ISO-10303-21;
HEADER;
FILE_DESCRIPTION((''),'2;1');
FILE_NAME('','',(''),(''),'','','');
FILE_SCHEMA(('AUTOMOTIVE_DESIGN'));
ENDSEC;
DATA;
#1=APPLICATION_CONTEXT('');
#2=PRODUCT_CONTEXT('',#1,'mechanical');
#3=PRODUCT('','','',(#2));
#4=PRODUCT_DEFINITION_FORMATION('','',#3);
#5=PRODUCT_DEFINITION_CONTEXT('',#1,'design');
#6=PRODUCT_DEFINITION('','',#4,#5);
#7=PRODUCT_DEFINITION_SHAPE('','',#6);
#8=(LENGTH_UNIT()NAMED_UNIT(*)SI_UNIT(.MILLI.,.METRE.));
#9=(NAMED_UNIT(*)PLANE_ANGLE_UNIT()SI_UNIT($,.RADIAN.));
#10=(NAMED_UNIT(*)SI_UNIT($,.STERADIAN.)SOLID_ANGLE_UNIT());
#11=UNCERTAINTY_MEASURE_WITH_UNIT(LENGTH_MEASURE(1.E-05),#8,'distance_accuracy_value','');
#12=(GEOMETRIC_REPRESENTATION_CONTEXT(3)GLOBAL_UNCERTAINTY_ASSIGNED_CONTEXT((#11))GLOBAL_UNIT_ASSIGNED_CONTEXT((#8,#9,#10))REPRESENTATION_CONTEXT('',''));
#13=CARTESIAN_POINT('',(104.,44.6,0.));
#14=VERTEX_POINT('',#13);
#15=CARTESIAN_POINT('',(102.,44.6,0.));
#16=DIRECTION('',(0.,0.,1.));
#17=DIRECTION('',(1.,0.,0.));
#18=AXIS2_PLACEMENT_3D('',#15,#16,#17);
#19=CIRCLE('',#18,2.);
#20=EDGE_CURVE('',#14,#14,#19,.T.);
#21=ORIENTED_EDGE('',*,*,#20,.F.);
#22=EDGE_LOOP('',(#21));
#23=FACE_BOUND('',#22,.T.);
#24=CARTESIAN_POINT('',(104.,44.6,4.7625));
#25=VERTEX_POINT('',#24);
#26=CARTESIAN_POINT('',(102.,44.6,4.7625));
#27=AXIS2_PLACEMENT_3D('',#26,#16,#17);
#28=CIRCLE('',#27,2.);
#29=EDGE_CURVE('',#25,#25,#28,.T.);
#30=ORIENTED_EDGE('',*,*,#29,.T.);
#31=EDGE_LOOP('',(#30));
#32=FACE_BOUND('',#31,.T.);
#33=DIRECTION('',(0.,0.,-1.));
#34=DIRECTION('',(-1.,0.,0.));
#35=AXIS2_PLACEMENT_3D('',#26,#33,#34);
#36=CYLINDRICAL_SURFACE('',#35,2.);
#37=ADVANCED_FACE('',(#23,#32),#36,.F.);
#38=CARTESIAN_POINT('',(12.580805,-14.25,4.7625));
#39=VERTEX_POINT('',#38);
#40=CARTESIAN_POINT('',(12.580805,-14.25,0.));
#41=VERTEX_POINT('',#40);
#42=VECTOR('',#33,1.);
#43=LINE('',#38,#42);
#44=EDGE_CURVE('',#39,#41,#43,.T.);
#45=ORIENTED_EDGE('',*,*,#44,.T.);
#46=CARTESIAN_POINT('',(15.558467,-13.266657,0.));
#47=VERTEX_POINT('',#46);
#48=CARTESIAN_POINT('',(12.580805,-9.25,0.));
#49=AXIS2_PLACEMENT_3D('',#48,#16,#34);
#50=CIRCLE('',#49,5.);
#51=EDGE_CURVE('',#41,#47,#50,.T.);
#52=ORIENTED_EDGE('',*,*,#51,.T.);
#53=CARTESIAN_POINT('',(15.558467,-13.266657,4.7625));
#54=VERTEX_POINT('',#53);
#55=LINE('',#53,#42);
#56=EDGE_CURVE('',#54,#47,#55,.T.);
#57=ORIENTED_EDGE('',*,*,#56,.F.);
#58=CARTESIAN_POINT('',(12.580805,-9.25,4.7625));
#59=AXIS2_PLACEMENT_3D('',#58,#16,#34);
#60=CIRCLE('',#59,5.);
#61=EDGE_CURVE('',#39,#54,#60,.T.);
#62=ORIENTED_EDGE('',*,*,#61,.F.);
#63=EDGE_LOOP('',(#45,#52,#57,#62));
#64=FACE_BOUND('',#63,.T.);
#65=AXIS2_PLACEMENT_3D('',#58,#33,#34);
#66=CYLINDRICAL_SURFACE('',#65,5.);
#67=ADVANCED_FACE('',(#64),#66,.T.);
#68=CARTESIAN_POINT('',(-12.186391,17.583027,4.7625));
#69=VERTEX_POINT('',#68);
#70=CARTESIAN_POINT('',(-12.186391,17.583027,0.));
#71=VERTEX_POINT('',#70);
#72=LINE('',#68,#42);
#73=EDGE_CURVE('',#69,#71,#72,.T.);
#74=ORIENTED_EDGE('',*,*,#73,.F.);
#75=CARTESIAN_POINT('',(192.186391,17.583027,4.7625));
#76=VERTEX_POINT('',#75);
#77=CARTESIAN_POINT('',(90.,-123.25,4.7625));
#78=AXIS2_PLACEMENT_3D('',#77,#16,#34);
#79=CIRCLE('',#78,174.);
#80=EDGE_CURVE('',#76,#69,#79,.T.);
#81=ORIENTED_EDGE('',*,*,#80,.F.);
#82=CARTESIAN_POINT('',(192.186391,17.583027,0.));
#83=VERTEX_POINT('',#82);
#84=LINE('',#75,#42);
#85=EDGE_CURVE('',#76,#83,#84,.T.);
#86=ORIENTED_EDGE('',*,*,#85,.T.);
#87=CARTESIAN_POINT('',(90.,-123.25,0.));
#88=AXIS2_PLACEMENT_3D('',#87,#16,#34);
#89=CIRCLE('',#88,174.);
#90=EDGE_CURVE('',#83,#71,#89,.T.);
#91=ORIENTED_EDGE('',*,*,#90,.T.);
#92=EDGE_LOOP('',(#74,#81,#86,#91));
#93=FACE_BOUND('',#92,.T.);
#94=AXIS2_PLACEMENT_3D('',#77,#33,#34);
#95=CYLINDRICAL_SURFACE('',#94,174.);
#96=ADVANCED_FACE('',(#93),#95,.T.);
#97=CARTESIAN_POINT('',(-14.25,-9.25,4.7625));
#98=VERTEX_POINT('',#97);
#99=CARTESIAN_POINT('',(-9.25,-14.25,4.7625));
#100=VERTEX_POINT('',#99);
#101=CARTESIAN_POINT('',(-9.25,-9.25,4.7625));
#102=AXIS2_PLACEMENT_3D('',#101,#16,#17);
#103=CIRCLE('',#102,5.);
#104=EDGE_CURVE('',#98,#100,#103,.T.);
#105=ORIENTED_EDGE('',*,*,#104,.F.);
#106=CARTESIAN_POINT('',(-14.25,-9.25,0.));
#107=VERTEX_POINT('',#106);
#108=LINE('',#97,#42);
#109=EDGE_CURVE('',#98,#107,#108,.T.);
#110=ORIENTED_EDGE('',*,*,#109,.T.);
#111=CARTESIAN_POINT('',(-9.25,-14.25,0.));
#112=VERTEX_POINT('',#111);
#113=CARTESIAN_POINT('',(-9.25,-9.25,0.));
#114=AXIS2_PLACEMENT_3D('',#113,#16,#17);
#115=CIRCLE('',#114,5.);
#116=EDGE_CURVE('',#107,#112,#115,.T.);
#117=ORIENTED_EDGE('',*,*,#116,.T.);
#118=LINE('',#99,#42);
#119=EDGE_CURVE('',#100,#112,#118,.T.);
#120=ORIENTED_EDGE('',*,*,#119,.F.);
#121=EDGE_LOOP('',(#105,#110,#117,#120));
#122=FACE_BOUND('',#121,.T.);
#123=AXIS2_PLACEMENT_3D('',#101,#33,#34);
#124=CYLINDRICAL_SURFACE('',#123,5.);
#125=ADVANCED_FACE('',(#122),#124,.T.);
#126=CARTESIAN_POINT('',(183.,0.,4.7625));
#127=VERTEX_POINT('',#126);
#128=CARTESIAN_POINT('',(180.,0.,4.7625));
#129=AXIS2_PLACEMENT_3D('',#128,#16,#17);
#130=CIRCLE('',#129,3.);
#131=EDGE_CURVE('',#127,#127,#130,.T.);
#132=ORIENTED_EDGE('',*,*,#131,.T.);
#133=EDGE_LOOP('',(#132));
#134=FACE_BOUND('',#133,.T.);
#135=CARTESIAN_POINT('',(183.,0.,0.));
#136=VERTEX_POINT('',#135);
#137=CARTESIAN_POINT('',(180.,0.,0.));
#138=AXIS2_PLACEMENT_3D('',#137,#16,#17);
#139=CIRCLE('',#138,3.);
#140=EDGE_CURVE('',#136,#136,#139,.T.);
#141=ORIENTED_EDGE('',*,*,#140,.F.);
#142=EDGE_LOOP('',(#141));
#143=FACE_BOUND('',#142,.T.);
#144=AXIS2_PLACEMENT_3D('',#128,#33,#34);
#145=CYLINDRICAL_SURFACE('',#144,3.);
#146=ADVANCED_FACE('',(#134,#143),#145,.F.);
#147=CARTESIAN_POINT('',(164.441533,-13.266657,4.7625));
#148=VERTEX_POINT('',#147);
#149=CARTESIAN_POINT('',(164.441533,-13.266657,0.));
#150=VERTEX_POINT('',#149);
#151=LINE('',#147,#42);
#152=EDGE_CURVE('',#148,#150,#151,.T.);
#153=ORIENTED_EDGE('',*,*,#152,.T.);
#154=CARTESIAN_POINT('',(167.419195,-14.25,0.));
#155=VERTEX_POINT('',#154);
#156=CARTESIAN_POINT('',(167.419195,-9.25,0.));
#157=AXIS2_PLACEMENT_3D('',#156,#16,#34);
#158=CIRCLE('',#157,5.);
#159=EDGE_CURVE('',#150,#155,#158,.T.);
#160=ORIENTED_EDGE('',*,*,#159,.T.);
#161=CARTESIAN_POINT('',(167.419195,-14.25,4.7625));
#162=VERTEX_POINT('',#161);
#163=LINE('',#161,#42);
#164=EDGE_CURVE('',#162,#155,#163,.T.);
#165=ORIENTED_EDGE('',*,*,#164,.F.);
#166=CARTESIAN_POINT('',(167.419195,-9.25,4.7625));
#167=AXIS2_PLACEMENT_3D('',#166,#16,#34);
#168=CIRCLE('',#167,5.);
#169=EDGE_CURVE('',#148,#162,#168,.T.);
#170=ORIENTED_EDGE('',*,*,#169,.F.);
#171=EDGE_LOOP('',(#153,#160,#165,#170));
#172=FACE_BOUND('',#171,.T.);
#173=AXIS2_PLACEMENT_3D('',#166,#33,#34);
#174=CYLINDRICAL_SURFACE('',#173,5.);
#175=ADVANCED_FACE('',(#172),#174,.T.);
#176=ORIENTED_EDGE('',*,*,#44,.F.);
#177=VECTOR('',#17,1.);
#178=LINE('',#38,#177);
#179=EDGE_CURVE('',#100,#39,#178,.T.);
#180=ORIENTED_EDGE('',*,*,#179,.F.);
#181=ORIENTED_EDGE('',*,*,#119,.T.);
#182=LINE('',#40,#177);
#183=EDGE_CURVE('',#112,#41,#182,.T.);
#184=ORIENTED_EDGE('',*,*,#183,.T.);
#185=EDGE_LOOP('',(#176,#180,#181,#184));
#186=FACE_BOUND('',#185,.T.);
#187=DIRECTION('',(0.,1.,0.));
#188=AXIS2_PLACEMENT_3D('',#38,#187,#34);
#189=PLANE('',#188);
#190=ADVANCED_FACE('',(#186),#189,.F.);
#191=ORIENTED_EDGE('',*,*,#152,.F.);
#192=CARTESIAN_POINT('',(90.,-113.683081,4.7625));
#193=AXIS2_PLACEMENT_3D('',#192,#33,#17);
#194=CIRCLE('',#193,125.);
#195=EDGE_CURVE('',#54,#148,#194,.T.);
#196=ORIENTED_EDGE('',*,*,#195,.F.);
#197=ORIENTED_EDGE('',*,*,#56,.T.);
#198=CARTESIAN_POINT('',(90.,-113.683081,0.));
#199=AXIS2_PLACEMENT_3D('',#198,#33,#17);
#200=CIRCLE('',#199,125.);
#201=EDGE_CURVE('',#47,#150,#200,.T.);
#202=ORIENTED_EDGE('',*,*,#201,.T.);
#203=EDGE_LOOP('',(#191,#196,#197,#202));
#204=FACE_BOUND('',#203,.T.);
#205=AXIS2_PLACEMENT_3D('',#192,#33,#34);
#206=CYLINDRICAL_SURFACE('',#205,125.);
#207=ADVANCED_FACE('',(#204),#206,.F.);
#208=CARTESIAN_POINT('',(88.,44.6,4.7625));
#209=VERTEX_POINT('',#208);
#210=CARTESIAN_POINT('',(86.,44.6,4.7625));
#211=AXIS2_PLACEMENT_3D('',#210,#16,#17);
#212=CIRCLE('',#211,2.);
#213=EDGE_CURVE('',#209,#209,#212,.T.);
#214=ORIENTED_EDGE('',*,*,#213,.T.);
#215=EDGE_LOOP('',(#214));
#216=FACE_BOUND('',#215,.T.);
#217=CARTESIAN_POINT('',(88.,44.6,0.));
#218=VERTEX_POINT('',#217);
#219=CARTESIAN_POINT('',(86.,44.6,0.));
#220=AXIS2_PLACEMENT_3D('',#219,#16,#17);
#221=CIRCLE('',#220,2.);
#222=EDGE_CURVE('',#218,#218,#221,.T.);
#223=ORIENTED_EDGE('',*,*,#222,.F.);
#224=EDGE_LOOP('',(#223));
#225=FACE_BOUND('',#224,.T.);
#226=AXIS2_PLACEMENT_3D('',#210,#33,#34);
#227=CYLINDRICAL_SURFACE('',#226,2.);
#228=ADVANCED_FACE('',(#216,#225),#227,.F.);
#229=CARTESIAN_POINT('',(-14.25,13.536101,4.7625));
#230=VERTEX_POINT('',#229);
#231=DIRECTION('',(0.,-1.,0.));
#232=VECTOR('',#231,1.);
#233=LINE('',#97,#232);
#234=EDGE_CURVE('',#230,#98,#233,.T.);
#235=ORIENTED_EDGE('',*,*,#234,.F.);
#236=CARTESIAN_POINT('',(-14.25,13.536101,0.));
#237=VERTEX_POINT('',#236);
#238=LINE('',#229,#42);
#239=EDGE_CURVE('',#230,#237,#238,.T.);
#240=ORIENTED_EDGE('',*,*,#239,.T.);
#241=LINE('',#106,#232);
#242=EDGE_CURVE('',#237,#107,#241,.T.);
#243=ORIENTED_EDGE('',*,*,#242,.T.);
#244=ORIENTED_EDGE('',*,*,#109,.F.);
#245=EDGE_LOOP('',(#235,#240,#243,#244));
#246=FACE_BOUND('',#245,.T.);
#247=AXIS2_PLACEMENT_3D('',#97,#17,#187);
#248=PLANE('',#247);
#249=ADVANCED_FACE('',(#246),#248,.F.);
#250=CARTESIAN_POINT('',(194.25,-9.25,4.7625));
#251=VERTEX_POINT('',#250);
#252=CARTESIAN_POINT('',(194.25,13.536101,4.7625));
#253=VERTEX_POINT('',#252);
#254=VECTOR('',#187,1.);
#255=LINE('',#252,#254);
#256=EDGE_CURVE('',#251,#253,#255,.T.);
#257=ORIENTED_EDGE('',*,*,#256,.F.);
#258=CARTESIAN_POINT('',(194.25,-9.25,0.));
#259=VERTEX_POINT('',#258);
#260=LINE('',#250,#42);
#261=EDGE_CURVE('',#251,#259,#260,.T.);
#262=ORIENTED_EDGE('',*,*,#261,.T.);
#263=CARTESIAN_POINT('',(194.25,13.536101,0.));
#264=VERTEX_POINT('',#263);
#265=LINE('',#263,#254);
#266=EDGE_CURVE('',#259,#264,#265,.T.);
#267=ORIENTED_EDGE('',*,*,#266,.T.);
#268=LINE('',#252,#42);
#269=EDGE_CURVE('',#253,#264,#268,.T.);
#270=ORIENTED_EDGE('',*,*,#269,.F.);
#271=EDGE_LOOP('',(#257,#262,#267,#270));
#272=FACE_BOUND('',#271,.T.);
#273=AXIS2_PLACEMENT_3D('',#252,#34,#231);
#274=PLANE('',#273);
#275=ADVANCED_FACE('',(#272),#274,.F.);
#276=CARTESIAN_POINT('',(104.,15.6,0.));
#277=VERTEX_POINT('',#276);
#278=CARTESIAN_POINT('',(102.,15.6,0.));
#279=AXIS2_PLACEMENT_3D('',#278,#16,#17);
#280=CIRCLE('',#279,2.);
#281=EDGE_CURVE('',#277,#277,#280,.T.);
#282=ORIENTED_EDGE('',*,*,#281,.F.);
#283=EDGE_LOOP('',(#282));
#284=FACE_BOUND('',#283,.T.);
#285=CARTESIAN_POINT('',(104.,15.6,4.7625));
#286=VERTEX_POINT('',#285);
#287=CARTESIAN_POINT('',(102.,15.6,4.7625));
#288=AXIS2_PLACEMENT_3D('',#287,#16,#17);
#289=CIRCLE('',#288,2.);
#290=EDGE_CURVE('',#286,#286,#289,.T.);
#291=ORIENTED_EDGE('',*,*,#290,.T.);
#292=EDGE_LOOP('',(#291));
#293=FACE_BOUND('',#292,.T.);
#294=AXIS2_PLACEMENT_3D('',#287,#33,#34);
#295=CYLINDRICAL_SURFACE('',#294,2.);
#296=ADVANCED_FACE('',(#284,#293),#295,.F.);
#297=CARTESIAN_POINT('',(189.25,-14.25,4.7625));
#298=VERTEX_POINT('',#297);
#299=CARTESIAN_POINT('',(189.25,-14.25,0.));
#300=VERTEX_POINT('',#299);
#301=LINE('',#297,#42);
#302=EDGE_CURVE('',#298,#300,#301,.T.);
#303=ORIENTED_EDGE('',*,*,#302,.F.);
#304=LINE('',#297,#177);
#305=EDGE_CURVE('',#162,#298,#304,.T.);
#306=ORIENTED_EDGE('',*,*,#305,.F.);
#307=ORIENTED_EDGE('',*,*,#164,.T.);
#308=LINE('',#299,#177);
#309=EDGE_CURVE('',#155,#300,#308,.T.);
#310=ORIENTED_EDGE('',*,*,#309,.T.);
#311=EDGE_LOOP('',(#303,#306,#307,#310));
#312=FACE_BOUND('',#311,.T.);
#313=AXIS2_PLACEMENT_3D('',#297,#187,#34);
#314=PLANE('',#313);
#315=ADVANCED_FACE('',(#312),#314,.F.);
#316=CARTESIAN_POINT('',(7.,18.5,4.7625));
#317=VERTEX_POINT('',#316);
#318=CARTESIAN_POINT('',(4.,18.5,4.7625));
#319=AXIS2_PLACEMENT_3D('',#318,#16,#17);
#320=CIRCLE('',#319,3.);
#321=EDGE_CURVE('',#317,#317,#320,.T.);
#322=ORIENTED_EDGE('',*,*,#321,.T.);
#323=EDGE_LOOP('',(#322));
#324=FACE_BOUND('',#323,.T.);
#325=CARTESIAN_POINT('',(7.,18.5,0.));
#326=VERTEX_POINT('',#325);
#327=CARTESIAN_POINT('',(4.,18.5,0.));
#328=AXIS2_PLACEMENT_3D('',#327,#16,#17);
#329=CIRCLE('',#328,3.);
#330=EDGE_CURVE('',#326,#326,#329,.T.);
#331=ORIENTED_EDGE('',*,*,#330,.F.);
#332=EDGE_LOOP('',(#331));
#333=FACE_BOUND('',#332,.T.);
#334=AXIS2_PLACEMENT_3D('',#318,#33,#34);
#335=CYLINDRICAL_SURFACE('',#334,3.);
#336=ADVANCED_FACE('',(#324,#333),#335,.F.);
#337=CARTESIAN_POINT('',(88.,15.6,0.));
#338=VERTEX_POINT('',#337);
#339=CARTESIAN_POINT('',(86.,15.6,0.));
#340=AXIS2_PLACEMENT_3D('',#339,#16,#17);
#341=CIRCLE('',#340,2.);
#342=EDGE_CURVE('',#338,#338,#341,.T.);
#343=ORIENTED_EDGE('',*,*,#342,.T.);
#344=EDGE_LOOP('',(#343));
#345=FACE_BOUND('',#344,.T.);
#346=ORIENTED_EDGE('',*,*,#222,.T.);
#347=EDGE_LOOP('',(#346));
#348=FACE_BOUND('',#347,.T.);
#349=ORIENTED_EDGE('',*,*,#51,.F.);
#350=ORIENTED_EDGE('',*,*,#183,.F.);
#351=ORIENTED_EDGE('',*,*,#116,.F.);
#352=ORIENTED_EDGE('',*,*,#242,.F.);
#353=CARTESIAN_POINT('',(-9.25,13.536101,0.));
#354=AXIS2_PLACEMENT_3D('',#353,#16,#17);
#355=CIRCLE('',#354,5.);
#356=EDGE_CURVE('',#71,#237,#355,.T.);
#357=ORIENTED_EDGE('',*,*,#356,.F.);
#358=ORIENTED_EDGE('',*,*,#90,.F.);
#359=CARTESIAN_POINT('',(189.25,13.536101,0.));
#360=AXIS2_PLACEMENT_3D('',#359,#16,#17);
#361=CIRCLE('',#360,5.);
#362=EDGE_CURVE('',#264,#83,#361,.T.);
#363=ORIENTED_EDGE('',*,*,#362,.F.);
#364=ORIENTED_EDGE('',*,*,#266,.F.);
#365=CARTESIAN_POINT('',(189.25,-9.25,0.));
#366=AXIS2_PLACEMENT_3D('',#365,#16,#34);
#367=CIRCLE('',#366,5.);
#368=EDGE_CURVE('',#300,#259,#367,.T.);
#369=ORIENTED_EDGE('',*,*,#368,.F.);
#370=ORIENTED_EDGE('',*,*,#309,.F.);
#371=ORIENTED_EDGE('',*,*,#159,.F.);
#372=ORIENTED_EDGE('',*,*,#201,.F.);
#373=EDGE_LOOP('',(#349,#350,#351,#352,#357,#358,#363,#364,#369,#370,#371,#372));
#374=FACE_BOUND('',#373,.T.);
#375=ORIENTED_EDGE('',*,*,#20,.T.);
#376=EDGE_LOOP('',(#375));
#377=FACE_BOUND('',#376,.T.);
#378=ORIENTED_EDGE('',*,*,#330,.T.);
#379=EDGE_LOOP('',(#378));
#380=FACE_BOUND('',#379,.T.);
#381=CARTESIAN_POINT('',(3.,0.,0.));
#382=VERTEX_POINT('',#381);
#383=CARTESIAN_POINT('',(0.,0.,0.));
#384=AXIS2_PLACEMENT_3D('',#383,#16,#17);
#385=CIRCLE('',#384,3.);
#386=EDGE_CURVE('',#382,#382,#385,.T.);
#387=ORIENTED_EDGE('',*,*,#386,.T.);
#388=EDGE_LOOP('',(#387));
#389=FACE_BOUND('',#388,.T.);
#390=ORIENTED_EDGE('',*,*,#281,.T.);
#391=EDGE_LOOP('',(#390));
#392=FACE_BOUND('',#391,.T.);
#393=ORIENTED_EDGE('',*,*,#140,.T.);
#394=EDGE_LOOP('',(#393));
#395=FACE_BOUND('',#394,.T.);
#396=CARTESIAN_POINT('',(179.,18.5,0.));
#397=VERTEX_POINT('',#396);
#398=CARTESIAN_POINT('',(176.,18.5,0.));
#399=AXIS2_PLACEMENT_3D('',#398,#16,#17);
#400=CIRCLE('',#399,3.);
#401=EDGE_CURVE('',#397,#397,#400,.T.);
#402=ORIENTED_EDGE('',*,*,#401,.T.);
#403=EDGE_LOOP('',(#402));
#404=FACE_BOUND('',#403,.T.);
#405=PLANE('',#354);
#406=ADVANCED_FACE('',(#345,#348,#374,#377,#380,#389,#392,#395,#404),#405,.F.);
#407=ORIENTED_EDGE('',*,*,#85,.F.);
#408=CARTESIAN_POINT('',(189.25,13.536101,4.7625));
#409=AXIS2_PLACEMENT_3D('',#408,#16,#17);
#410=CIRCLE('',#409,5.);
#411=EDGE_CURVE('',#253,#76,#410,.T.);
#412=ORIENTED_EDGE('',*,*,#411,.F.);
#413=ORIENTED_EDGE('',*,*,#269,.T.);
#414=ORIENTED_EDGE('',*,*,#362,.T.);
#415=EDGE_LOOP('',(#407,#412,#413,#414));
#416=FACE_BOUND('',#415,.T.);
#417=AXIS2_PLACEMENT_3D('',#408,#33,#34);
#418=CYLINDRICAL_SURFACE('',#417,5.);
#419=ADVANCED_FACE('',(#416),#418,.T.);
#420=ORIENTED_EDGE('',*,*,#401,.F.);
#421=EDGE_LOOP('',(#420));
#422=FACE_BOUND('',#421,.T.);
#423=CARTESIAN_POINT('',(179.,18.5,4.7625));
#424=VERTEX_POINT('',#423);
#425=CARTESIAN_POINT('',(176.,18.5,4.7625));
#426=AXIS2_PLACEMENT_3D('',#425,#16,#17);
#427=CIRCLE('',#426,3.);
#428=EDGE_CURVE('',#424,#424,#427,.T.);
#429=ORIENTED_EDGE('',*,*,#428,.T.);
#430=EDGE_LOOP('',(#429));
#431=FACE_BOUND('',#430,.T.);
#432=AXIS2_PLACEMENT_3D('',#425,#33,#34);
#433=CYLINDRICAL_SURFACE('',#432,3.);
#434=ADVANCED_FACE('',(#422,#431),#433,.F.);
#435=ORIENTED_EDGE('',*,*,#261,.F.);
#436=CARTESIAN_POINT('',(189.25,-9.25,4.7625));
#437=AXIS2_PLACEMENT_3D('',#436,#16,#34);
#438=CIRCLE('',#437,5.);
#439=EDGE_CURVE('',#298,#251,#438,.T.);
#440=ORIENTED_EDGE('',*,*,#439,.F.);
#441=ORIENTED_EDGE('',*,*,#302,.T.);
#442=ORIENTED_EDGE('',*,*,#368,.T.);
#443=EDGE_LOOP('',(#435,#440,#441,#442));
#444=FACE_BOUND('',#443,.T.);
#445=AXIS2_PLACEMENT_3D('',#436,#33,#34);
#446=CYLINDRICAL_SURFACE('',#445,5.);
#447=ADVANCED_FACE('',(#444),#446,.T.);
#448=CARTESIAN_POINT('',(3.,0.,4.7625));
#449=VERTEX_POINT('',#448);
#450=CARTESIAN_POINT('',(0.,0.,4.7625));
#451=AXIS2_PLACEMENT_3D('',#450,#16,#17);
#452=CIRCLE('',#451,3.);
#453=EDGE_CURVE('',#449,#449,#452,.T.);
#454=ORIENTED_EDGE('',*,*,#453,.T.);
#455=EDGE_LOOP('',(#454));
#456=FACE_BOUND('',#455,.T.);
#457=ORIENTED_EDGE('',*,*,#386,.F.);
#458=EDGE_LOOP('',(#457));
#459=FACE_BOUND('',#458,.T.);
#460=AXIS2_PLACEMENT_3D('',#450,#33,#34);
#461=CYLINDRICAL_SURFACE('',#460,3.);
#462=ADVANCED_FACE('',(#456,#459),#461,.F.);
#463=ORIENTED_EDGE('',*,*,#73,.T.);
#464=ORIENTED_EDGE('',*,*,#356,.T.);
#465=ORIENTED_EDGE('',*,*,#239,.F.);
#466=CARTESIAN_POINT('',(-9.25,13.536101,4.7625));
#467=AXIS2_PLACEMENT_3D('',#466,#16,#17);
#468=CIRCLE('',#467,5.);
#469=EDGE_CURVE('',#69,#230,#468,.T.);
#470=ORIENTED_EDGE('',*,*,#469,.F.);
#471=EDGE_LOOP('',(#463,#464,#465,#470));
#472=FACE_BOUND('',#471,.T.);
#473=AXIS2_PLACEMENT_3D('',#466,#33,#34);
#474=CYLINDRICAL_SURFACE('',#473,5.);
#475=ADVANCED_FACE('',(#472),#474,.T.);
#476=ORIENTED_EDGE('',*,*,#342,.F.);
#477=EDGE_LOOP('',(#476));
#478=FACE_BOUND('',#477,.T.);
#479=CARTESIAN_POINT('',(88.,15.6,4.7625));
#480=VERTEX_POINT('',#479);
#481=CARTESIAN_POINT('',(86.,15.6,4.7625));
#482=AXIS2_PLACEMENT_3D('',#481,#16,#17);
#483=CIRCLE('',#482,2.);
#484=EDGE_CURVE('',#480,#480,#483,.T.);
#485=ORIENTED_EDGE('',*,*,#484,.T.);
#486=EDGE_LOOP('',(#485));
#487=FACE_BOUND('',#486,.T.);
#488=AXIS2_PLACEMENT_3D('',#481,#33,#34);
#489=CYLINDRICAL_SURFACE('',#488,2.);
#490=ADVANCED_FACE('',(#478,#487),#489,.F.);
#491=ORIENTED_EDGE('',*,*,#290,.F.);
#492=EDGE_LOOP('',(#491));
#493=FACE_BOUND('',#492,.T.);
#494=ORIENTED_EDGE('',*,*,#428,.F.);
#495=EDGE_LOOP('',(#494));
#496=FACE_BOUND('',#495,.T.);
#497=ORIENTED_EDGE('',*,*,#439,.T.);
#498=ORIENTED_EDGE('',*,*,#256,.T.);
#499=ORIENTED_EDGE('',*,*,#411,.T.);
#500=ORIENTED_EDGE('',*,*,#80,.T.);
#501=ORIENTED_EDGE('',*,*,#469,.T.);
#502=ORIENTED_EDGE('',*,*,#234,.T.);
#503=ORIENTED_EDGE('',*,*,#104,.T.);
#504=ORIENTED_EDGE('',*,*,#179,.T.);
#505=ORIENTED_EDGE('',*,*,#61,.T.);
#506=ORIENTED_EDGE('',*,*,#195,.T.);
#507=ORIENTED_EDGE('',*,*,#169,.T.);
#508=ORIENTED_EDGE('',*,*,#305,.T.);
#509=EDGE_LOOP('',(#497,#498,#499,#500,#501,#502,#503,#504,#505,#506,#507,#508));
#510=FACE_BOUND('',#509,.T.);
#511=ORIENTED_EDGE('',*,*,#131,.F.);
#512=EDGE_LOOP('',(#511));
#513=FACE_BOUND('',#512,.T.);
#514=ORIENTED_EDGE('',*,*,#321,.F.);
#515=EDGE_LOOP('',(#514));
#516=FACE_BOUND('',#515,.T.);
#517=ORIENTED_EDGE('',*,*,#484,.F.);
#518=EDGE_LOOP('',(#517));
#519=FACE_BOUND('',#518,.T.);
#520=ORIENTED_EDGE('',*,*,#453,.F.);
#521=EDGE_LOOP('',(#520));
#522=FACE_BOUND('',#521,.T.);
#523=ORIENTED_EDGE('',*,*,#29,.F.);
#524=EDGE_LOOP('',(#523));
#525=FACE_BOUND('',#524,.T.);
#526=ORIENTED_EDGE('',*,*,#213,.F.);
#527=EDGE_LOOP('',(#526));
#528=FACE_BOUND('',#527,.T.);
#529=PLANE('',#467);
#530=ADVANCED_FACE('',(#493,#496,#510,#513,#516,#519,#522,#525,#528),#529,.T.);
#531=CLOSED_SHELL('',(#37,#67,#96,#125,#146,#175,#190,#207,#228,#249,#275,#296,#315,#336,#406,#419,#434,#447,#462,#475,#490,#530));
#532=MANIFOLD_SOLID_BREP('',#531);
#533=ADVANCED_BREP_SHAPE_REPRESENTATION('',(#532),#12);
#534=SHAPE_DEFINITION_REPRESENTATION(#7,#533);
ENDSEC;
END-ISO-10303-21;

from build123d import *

# Parameters (mm, degrees)
SKETCH1_R           = 2
SKETCH1_R_2         = 3
BOSS_EXTRUDE1_DEPTH = 4.7625


with BuildPart() as part:
    # Sketch1 → Boss-Extrude1 (new body)
    with BuildSketch(Plane.XY):
        with BuildLine():
            Line((-14.25, -9.25), (-14.25, 13.536101268))
            ThreePointArc((-14.25, 13.536101268), (-13.704321085, 15.807449693), (-12.186390533, 17.583027341))
            ThreePointArc((-12.186390533, 17.583027341), (90, 50.75), (192.186390533, 17.583027341))
            ThreePointArc((192.186390533, 17.583027341), (193.704321085, 15.807449693), (194.25, 13.536101268))
            Line((194.25, 13.536101268), (194.25, -9.25))
            ThreePointArc((194.25, -9.25), (192.785533906, -12.785533906), (189.25, -14.25))
            Line((189.25, -14.25), (167.419194615, -14.25))
            ThreePointArc((167.419194615, -14.25), (165.851279553, -13.997803951), (164.441533284, -13.266656943))
            ThreePointArc((164.441533284, -13.266656943), (90, 11.316919489), (15.558466716, -13.266656943))
            ThreePointArc((15.558466716, -13.266656943), (14.148720447, -13.997803951), (12.580805385, -14.25))
            Line((12.580805385, -14.25), (-9.25, -14.25))
            ThreePointArc((-9.25, -14.25), (-12.785533906, -12.785533906), (-14.25, -9.25))
        make_face()
        with Locations((86, 44.6)):
            Circle(SKETCH1_R, mode=Mode.SUBTRACT)
        with Locations((86, 15.6)):
            Circle(SKETCH1_R, mode=Mode.SUBTRACT)
        with Locations((102, 44.6)):
            Circle(SKETCH1_R, mode=Mode.SUBTRACT)
        with Locations((102, 15.6)):
            Circle(SKETCH1_R, mode=Mode.SUBTRACT)
        with Locations((180, 0)):
            Circle(SKETCH1_R_2, mode=Mode.SUBTRACT)
        Circle(SKETCH1_R_2, mode=Mode.SUBTRACT)
        with Locations((4, 18.5)):
            Circle(SKETCH1_R_2, mode=Mode.SUBTRACT)
        with Locations((176, 18.5)):
            Circle(SKETCH1_R_2, mode=Mode.SUBTRACT)
    extrude(amount=BOSS_EXTRUDE1_DEPTH)


solid = part.part
